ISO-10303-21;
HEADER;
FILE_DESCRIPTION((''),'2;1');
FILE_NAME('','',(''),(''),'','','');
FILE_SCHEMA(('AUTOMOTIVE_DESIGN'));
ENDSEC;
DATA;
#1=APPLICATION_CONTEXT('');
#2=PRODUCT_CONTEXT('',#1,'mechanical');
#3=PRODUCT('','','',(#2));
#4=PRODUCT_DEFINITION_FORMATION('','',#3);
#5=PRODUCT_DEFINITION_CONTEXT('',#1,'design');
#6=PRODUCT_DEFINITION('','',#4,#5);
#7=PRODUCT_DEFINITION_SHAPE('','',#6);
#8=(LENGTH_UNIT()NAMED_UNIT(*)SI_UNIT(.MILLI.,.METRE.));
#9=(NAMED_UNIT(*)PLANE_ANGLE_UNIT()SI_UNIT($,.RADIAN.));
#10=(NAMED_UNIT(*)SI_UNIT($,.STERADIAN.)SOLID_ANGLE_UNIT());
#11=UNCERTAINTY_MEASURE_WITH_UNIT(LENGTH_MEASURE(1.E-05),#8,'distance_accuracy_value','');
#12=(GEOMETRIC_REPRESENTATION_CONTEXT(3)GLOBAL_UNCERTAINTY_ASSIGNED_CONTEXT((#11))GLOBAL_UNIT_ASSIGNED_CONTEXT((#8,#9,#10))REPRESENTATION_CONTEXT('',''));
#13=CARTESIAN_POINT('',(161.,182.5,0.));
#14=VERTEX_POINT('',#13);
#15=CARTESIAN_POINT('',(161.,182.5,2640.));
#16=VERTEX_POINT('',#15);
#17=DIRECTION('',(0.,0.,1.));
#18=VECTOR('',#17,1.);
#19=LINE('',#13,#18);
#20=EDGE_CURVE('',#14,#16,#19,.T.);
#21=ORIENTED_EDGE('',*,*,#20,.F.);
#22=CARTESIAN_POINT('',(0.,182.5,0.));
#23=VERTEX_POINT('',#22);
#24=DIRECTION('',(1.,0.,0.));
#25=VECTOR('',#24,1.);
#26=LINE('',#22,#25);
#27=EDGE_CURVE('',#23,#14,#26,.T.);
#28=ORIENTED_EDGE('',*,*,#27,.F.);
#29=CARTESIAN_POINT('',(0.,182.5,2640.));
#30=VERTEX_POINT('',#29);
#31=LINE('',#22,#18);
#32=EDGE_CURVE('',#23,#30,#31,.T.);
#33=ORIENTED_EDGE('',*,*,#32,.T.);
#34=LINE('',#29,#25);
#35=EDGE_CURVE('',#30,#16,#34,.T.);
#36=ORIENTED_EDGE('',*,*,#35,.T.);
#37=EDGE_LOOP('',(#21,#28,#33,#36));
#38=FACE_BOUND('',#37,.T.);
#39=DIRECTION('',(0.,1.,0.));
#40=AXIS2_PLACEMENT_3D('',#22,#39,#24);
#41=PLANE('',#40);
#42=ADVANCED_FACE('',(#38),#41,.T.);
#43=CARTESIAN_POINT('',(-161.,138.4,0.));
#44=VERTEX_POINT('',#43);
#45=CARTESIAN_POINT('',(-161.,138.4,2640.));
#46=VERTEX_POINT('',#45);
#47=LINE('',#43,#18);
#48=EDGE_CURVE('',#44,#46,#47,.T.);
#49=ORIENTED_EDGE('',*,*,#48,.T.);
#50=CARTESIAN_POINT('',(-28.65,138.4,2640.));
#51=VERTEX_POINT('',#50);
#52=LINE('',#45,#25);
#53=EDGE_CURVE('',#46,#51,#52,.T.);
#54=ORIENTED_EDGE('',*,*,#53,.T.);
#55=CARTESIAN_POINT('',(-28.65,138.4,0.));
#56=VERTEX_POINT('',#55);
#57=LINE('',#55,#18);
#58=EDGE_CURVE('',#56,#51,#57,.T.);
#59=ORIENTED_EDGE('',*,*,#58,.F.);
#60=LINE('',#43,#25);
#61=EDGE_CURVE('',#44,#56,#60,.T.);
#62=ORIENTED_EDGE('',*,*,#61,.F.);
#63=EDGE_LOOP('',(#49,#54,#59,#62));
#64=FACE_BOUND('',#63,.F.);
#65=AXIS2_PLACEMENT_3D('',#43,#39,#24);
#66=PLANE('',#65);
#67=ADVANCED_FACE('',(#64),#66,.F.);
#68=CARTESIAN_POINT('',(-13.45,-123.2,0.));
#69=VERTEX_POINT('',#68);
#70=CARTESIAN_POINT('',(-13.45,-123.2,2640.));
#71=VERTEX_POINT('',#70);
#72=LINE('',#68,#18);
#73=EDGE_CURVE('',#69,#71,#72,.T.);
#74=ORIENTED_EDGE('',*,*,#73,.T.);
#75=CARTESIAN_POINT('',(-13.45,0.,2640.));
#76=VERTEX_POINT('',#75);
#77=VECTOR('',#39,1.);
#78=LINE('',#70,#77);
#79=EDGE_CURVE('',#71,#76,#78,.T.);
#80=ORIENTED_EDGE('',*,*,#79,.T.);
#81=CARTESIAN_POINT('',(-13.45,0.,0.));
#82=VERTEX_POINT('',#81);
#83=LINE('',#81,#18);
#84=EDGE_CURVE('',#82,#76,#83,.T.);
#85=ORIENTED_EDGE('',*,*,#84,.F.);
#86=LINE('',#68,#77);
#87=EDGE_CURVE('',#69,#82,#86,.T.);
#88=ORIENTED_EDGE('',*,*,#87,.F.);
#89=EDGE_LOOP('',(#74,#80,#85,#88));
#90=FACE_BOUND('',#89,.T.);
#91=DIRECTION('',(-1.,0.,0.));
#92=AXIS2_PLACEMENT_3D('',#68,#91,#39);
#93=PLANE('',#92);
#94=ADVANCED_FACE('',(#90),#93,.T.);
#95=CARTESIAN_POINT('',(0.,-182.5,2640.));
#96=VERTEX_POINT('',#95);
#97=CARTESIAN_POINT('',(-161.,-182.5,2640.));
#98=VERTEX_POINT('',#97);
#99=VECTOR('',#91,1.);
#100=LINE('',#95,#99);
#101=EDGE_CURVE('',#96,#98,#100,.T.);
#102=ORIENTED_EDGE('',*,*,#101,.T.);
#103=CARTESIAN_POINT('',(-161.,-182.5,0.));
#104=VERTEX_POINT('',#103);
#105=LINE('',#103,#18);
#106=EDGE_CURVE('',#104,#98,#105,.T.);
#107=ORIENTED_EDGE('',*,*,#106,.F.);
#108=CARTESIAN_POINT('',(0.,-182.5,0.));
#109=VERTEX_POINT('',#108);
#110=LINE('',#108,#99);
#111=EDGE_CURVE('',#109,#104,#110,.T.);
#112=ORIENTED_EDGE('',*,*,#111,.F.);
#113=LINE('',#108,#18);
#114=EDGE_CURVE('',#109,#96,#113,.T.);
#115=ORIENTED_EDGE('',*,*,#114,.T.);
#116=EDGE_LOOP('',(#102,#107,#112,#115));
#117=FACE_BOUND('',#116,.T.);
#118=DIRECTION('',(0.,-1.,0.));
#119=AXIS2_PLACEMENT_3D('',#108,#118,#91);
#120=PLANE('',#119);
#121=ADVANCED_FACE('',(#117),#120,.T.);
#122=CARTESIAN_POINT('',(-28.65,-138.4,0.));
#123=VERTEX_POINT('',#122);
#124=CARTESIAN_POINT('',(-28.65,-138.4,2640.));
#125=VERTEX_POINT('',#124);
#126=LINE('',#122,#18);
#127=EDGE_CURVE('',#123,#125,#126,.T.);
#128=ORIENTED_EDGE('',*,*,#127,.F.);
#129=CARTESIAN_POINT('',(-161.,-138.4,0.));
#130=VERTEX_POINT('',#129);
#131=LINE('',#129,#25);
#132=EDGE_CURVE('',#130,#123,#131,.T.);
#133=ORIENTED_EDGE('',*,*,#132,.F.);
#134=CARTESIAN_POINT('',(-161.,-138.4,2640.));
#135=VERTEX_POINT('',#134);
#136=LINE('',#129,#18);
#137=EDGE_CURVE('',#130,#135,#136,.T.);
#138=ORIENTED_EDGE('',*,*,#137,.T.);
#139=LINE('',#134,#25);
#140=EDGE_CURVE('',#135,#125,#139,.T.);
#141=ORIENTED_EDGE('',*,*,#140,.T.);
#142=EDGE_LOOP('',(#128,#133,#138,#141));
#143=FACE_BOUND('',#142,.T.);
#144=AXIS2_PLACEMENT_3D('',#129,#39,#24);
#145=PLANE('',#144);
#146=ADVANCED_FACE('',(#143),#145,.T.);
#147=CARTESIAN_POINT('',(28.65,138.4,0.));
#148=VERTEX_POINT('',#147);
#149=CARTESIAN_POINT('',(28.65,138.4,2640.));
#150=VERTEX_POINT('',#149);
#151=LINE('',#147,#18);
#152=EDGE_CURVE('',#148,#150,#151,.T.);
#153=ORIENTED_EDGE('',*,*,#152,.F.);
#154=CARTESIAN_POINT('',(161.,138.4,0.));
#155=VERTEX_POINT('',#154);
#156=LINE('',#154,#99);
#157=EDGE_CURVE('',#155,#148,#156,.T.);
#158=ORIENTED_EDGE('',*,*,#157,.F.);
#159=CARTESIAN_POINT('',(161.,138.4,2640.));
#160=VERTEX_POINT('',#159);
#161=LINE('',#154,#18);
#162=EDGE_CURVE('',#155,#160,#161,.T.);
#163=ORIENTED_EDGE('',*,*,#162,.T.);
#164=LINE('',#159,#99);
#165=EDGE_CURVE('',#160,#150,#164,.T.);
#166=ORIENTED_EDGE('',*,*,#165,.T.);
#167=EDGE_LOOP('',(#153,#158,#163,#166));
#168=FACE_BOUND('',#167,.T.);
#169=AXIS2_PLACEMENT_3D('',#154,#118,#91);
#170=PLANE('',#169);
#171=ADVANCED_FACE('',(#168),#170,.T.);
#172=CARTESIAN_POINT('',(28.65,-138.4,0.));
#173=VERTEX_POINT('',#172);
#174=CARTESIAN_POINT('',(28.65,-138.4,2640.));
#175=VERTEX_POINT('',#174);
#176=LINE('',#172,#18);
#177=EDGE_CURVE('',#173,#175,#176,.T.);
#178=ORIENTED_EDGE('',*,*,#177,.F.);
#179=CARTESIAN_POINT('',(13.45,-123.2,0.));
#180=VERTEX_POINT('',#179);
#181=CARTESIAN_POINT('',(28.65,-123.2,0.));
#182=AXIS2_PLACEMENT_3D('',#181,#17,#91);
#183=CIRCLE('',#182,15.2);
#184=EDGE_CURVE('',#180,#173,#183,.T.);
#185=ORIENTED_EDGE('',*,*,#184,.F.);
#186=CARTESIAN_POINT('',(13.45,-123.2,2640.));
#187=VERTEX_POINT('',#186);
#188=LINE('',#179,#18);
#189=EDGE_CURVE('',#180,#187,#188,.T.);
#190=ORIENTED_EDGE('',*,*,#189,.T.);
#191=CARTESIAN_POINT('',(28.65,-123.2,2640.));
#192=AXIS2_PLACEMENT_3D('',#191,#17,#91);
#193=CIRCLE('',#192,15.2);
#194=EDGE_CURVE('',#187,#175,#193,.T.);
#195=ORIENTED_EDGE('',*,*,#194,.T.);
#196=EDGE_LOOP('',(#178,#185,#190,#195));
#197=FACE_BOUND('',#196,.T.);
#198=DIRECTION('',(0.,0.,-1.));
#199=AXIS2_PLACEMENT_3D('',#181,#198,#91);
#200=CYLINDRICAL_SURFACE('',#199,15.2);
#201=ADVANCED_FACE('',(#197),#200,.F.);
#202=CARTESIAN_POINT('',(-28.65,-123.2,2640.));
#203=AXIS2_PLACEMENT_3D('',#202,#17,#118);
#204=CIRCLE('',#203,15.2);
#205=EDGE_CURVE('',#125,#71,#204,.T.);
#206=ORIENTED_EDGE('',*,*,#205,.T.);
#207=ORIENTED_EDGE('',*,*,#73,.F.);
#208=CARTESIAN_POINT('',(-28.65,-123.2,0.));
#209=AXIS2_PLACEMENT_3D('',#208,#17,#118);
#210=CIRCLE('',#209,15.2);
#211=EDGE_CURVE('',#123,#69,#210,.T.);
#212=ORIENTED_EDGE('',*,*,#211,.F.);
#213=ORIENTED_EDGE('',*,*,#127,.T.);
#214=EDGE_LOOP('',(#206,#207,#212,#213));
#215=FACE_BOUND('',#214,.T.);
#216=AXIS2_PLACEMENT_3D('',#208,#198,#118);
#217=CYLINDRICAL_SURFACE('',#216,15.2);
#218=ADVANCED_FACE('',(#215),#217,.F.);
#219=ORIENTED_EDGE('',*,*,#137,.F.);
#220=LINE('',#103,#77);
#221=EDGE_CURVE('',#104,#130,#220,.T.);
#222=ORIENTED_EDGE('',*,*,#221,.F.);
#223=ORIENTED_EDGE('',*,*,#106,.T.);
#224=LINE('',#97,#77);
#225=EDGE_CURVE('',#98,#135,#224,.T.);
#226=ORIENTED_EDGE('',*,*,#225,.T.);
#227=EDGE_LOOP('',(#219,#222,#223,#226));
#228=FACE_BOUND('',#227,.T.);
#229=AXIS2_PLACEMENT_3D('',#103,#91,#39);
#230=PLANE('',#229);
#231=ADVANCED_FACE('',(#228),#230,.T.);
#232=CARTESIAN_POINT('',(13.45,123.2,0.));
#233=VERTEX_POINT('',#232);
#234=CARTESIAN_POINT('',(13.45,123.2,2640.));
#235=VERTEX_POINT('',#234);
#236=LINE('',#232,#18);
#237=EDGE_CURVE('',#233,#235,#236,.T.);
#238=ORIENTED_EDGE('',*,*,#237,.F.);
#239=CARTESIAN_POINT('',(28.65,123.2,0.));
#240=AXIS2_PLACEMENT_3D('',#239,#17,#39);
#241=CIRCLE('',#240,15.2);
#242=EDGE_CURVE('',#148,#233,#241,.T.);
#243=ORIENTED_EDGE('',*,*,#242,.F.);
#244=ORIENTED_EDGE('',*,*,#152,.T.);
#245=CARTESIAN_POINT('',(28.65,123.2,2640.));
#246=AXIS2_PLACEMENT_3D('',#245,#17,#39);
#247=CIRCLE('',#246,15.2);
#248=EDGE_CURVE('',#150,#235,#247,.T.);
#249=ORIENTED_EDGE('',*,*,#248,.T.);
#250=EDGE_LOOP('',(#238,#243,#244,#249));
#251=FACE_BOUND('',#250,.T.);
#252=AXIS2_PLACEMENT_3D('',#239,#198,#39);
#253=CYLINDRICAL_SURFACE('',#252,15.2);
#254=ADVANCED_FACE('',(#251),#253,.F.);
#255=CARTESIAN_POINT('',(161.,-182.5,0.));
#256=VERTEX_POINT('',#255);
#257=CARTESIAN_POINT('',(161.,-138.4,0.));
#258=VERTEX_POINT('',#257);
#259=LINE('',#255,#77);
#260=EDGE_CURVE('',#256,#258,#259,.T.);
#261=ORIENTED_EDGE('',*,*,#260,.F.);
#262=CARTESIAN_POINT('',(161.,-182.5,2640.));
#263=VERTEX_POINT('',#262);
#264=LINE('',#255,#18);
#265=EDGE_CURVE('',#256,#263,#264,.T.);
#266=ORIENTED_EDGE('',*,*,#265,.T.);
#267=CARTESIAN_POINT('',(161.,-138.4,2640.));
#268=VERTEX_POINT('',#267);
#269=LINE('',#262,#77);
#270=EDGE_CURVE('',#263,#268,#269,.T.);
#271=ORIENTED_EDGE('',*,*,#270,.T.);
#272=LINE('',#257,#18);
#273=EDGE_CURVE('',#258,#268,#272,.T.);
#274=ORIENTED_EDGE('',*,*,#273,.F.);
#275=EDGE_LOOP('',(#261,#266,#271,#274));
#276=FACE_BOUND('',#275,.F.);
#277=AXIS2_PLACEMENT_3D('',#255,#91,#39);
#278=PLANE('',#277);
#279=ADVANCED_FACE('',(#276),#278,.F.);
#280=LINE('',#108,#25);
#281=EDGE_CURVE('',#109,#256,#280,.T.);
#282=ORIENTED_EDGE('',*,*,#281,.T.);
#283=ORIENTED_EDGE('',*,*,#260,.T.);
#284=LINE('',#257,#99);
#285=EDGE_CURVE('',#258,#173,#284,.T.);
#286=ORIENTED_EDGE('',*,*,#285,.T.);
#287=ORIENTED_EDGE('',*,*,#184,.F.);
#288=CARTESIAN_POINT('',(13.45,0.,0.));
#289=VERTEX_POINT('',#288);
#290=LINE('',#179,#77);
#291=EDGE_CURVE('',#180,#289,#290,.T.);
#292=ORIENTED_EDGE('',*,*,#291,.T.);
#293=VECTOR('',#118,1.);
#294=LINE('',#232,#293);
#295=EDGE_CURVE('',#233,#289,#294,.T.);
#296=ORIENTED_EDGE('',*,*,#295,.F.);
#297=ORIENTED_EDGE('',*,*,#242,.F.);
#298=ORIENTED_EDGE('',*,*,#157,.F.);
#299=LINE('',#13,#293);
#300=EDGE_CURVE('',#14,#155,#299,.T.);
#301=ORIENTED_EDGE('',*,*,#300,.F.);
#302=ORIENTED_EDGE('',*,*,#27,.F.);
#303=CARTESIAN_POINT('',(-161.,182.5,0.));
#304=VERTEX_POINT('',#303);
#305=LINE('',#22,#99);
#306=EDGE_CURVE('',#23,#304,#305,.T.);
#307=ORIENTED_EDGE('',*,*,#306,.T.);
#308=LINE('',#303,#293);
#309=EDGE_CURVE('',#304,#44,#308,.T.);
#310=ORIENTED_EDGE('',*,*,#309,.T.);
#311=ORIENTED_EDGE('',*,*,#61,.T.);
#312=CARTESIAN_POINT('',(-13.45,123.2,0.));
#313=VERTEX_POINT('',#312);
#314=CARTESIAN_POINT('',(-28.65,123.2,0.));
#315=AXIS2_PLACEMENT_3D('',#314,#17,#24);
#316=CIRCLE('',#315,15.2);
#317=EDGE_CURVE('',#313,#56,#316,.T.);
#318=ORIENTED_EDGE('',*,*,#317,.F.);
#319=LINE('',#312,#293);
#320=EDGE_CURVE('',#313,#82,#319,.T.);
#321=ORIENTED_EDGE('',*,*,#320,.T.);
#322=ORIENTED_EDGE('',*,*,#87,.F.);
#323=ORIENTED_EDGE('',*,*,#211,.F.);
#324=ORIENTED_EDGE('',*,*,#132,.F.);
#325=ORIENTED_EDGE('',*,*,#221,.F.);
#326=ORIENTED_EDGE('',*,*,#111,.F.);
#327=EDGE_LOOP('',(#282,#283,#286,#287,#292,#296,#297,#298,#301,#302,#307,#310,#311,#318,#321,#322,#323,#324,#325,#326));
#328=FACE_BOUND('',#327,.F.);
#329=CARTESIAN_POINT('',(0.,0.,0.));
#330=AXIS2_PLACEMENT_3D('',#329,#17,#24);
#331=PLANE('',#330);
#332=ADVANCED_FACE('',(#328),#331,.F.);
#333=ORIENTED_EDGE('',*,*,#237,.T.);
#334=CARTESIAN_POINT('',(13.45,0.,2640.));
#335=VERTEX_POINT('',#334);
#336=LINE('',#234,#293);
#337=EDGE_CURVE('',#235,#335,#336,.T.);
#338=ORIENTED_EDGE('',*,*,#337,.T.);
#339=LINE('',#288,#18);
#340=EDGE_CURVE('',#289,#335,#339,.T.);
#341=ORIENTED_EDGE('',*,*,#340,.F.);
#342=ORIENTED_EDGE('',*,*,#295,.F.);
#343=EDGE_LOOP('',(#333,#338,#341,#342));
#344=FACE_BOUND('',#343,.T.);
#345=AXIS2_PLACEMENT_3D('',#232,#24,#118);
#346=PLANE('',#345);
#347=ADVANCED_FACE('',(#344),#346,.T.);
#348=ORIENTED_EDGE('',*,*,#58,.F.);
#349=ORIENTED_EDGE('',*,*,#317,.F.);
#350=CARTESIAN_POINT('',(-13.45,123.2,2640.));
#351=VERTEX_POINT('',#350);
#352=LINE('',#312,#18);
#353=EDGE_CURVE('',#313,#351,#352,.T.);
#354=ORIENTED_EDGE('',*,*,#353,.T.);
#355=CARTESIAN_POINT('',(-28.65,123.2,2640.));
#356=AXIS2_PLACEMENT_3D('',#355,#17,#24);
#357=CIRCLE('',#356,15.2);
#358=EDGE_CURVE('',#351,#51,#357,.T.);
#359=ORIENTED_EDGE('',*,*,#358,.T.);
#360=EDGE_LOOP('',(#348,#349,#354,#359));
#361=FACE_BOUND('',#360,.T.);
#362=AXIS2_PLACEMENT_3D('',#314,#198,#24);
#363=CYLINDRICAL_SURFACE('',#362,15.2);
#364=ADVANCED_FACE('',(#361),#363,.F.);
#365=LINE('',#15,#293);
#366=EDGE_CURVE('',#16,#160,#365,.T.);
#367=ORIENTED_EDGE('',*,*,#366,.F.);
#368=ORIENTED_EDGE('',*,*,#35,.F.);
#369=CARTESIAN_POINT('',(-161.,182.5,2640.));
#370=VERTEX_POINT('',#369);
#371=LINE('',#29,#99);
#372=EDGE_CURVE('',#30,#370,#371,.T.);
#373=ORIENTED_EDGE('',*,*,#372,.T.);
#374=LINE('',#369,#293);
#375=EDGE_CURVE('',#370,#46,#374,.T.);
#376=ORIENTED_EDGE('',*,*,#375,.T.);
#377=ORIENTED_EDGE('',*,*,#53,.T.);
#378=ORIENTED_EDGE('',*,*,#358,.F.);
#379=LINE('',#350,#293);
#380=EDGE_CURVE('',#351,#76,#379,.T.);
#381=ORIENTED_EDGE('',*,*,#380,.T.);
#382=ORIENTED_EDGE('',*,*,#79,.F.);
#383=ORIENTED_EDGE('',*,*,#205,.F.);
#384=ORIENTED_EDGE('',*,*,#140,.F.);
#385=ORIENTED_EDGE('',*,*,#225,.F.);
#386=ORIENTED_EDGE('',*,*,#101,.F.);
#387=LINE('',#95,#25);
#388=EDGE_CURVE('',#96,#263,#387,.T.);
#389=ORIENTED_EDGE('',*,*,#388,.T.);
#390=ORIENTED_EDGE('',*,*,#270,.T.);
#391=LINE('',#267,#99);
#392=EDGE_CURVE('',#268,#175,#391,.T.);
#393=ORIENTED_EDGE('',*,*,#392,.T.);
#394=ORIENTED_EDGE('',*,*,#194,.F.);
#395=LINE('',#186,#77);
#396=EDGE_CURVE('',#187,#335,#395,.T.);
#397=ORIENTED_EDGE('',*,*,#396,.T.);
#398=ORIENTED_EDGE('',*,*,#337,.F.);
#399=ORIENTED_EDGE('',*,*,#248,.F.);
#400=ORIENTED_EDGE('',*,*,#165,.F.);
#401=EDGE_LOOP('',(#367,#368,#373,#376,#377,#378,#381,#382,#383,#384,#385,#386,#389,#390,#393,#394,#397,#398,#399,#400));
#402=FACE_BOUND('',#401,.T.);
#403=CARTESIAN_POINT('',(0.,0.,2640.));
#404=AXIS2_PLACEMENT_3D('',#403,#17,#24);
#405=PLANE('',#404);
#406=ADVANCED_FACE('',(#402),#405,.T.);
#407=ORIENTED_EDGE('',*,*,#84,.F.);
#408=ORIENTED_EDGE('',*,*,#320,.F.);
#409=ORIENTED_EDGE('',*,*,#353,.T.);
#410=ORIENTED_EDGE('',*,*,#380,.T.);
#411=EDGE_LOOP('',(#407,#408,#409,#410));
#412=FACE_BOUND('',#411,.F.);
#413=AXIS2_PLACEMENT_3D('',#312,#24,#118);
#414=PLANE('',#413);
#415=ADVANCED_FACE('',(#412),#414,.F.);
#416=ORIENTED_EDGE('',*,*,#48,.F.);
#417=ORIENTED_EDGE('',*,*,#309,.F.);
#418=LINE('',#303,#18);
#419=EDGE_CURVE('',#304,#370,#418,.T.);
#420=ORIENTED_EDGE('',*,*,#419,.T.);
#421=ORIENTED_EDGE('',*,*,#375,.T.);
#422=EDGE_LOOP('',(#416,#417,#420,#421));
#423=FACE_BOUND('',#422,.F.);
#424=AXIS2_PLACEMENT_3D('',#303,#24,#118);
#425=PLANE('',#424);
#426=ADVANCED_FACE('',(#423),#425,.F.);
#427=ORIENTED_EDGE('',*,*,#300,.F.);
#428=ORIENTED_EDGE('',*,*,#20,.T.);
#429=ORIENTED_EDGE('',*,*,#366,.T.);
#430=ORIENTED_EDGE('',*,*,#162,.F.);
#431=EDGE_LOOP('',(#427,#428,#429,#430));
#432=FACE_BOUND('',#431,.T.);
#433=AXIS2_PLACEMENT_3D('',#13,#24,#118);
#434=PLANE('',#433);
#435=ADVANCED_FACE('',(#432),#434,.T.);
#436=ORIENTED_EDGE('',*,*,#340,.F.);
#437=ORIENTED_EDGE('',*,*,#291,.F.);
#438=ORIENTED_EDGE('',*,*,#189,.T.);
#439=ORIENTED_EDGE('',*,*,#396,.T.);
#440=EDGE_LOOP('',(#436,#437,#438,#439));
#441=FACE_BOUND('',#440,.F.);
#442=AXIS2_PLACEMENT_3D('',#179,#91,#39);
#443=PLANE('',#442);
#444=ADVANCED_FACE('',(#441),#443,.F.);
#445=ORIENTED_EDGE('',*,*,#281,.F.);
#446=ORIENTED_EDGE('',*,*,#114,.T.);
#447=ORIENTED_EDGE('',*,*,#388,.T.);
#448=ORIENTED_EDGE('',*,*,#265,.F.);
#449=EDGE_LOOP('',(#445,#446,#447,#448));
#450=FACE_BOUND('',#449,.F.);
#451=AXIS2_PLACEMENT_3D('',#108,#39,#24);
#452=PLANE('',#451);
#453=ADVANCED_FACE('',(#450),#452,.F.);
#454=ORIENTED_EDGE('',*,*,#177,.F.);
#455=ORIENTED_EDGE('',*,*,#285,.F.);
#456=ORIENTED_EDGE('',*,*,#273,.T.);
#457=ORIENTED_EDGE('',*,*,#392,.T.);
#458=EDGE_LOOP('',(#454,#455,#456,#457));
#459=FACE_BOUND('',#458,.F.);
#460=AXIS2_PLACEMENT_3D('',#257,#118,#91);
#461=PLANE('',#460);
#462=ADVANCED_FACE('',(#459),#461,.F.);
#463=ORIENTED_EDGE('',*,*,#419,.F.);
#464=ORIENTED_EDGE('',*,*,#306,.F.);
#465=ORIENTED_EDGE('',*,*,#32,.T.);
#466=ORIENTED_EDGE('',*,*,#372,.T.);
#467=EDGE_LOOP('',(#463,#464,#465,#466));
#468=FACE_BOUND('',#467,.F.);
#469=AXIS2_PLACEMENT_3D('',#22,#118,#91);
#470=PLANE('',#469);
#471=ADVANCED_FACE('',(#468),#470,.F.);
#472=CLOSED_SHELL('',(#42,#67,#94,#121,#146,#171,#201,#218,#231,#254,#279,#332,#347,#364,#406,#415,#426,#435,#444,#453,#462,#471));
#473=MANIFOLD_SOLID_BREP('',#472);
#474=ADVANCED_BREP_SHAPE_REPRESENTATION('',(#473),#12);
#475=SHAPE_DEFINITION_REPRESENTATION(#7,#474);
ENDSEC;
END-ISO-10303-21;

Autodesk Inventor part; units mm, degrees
ref_plane "YZ Plane" through (0, 0, 0) normal (1, 0, 0) x (0, 1, 0)
ref_plane "Start plane" through (0, 0, 0) normal (0, 0, 1) x (1, 0, 0)
ref_plane "End plane" through (0, 0, 2640) normal (0, 0, 1) x (1, 0, 0)
sketch "Sketch" plane through (0, 0, 0) normal (0, 0, 1) x (1, 0, 0)
  line L0 (-161, -182.5) -> (-161, -138.4)
  line L1 (-161, -138.4) -> (-28.65, -138.4)
  line L2 (-13.45, -123.2) -> (-13.45, 0)
  line L3 (-13.45, 0) -> (0, 0) construction
  line L4 (0, 0) -> (0, -182.5) construction
  line L5 (0, -182.5) -> (-161, -182.5)
  line L6 (-60, 0) -> (80, 0) construction
  line L7 (0, -60) -> (0, 80) construction
  line L8 (161, -182.5) -> (161, -138.4)
  line L9 (161, -138.4) -> (28.65, -138.4)
  line L10 (13.45, -123.2) -> (13.45, 0)
  line L11 (13.45, 0) -> (0, 0) construction
  line L12 (0, -182.5) -> (161, -182.5)
  line L13 (-161, 182.5) -> (-161, 138.4)
  line L14 (-161, 138.4) -> (-28.65, 138.4)
  line L15 (-13.45, 123.2) -> (-13.45, 0)
  line L16 (0, 182.5) -> (-161, 182.5)
  line L17 (161, 182.5) -> (161, 138.4)
  line L18 (161, 138.4) -> (28.65, 138.4)
  line L19 (0, 182.5) -> (161, 182.5)
  line L20 (13.45, 123.2) -> (13.45, 0)
  arc A0 (-13.45, 123.2) -> (-28.65, 138.4) centre (-28.65, 123.2) ccw
  arc A1 (28.65, 138.4) -> (13.45, 123.2) centre (28.65, 123.2) ccw
  arc A2 (13.45, -123.2) -> (28.65, -138.4) centre (28.65, -123.2) ccw
  arc A3 (-28.65, -138.4) -> (-13.45, -123.2) centre (-28.65, -123.2) ccw
  line L21 (0, 108) -> (0, -88) construction
  line L22 (-88, 0) -> (108, 0) construction
  point P0 (-13.45, -138.4)
  point P1 (13.45, -138.4)
  point P2 (-13.45, 138.4)
  point P3 (13.45, 138.4)
  dimension "d1" = 182.5
  dimension "d2" = 44.1
  dimension "d3" = 161
  dimension "d4" = 13.45
  dimension "d10" = 15.2
extrude "Body" add sketch "Sketch" along normal up to surface (2640 mm away) from surface at 0
sketch "Sketch4" plane through (0, 0, 0) normal (0, 0, 1) x (1, 0, 0)
  line L0 (0, 0) -> (10, 0)
ref_plane "Work Plane3" through (0, 0, 0) normal (0, -1, 0) x (1, 0, 0)
sketch "Sketch5" plane through (0, 0, 0) normal (0, -1, 0) x (1, 0, 0)
  line L0 (-2, 0) -> (12, 0) projected
  line L1 (-2, 2640) -> (12, 2640) projected
  dimension "d14" = 2640
equation "\"d1\" = 0.5 * G_H"
equation "\"d2\" = G_T1"
equation "\"d3\" = 0.5 * G_W"
equation "\"d4\" = 0.5 * G_T"
equation "\"d10\" = G_IR"
equation "\"d5\" = G_L"
equation "\"G_W\" = 322"
equation "\"G_H\" = 365"
equation "\"G_T\" = 26.9"
equation "\"G_T1\" = 44.1"
equation "\"G_IR\" = 15.2"
equation "\"G_L\" = d14"
equation "\"G_OFFSET_START\" = 0"
equation "\"G_OFFSET_END\" = 0"
properties part number "AS 3679 - 310 UC - 283 - 2640" material "Steel, Mild"
